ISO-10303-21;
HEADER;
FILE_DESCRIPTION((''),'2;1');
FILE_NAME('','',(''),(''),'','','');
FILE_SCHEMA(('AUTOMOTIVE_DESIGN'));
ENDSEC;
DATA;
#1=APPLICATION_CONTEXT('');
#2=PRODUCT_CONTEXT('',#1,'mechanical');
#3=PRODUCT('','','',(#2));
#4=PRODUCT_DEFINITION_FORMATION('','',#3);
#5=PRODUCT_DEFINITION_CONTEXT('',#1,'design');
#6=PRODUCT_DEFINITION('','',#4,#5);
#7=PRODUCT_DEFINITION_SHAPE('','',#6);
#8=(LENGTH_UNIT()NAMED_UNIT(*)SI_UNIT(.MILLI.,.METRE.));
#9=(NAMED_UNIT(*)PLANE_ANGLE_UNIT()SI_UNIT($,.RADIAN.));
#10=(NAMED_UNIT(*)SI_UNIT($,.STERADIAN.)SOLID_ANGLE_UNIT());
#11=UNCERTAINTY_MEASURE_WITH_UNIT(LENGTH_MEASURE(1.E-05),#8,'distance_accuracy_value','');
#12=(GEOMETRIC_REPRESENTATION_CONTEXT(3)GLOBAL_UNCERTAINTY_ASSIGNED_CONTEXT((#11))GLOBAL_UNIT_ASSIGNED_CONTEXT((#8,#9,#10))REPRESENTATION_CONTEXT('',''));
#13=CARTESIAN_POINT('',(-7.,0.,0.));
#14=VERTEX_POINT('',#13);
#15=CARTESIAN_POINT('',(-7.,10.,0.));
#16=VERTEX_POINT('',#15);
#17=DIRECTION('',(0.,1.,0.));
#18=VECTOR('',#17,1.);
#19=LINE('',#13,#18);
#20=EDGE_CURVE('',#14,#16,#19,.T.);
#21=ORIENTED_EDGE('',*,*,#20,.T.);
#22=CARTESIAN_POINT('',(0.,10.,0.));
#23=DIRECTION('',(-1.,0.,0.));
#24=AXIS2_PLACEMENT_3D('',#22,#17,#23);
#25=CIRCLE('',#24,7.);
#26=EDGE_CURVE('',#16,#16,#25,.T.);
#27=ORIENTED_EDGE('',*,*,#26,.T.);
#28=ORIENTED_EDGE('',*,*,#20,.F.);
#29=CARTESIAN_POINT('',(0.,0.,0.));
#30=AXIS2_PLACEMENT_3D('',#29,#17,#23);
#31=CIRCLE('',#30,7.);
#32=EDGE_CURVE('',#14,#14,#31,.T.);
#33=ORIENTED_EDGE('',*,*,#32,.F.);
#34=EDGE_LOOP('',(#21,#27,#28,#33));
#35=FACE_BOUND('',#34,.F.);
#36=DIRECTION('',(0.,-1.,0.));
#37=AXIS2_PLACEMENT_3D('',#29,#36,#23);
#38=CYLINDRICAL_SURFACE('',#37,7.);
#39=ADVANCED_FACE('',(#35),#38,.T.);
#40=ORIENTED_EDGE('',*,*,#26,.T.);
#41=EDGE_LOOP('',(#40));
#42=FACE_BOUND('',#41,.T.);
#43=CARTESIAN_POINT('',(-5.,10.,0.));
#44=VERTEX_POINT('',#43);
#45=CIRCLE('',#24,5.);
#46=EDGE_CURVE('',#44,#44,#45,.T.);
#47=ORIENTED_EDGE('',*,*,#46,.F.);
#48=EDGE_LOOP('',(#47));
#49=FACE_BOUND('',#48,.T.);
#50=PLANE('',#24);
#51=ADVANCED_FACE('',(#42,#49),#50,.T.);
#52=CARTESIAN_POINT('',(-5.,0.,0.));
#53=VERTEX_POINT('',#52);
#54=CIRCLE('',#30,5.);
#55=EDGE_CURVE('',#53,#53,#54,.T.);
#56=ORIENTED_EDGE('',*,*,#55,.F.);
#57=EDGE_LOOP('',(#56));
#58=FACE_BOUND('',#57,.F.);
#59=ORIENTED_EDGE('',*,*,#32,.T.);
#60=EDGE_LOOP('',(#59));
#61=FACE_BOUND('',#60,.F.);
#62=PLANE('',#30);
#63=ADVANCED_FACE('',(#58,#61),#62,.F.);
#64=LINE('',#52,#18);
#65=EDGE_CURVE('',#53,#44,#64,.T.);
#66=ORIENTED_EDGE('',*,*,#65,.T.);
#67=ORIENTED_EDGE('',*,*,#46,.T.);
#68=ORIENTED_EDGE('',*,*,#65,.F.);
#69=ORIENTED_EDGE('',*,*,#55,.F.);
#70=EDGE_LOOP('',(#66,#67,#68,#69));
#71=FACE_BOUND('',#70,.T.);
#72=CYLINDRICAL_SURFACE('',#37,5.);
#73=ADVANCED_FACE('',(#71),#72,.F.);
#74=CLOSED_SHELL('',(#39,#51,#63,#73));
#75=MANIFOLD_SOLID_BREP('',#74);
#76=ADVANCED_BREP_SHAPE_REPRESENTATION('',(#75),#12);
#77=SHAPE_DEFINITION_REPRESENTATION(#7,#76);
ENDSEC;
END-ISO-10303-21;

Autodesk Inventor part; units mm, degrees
ref_plane "YZ Plane" through (0, 0, 0) normal (1, 0, 0) x (0, 1, 0)
ref_plane "XZ Plane" through (0, 0, 0) normal (0, 1, 0) x (-1, 0, 0)
ref_plane "XY Plane" through (0, 0, 0) normal (0, 0, 1) x (1, 0, 0)
sketch "Sketch1" plane through (0, 0, 0) normal (0, 1, 0) x (-1, 0, 0)
  circle A0 centre (0, 0) radius 5
  circle A1 centre (0, 0) radius 7
  dimension "d0" = 10
  dimension "d2" = 14
extrude "Extrusion1" add sketch "Sketch1" along normal blind 10
properties part number "Bearing"
